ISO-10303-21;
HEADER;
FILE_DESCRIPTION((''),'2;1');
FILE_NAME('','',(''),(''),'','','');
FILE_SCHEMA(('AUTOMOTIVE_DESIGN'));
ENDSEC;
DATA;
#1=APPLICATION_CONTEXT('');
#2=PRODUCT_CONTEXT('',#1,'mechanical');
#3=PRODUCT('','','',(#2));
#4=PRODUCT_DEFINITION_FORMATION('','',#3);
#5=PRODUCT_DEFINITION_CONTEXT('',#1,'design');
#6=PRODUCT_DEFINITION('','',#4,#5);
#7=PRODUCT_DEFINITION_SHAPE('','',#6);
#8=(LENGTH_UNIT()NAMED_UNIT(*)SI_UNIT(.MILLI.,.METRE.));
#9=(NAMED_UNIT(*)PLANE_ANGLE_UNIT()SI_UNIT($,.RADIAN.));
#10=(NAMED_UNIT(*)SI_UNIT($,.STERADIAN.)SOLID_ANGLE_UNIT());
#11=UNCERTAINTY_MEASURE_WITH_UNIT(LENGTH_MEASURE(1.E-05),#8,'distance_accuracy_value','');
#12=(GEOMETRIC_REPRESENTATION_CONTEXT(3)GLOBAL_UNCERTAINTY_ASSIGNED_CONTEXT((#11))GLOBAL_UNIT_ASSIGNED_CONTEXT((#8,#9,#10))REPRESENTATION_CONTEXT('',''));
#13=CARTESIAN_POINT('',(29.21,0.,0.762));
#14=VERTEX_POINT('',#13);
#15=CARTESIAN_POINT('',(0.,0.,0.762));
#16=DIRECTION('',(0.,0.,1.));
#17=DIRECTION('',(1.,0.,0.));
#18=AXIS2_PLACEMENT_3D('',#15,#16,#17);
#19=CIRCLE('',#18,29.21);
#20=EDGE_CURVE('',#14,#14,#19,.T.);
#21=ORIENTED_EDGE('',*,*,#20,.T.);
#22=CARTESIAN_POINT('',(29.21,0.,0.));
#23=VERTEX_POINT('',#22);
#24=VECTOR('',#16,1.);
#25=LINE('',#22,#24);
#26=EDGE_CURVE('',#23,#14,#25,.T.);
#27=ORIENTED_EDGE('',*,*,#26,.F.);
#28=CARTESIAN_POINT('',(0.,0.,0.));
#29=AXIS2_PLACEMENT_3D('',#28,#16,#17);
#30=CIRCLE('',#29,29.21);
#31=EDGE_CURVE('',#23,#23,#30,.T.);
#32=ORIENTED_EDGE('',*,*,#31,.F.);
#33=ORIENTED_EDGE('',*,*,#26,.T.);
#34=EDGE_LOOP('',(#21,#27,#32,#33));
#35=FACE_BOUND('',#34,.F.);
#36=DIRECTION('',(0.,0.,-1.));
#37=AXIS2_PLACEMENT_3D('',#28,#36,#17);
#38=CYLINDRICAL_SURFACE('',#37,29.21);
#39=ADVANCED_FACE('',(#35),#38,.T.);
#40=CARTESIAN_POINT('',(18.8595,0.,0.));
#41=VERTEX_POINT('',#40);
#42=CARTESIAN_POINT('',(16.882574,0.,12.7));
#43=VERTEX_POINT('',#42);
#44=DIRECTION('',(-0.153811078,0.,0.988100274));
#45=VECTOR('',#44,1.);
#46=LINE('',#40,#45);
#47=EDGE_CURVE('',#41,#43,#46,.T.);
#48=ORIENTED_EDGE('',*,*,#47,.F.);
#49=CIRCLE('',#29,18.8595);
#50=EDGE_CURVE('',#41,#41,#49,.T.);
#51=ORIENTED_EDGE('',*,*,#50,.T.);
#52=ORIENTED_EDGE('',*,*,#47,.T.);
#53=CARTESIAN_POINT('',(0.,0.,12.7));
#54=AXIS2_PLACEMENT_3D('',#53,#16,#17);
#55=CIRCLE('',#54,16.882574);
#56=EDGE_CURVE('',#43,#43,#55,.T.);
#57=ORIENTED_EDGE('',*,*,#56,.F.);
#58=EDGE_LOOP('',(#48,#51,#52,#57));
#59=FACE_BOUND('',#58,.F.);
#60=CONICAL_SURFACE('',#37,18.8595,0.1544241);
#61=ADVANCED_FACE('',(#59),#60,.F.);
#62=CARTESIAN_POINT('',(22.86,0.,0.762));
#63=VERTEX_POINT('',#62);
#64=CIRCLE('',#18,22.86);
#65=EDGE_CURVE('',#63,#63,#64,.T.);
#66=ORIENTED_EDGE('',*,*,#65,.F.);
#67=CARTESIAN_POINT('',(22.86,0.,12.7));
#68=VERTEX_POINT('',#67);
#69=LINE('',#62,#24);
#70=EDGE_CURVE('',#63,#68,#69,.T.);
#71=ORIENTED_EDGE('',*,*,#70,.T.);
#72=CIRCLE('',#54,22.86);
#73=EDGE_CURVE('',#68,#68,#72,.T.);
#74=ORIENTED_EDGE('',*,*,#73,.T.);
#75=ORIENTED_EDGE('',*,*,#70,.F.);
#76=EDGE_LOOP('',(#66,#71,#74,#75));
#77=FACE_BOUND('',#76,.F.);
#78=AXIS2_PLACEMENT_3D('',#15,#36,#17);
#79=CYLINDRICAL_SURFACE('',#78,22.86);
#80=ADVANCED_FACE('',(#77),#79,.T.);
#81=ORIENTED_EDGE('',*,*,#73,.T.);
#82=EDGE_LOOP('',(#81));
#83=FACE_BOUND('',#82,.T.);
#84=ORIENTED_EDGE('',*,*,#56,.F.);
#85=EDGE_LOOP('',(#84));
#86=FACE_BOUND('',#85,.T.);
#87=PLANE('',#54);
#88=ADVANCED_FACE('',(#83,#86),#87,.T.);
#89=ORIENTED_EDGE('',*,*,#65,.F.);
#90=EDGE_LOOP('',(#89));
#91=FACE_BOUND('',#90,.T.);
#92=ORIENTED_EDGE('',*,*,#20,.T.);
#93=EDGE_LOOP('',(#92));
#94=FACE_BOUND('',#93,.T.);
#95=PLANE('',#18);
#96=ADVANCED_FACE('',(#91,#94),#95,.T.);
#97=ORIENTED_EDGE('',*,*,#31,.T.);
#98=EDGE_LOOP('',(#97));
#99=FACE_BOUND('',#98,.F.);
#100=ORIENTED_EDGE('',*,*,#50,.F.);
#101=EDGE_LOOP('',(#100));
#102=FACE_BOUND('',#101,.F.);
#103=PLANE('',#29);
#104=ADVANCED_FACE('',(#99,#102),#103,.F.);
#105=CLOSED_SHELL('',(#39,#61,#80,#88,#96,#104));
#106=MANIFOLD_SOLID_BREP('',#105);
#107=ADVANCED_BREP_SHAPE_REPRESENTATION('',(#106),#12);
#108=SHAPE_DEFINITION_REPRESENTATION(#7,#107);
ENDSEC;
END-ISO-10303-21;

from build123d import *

# Parameters (mm, degrees)
F0_R     = 29.21
F1_DEPTH = 0.762
F2_R     = 22.86
F3_DEPTH = 11.938


with BuildPart() as f1:
    # F0 (on Top) → F1 (new body)
    with BuildSketch(Plane.XY):
        Circle(F0_R)
    extrude(amount=F1_DEPTH)

    # F2 (on face) → F3 (join)
    with BuildSketch(Plane.XY.offset(0.762)):
        Circle(F2_R)
    extrude(amount=F3_DEPTH)

    # F4 (on Front) → F5 (revolve, cut)
    with BuildSketch(Plane.XZ):
        Polygon((0, 39.243), (0, 0), (18.8595, 0), (12.7508, 39.243), align=None)
    revolve(axis=Axis((0, 0, 19.6215), (0, 0, 1)), mode=Mode.SUBTRACT)


solid = f1.part
